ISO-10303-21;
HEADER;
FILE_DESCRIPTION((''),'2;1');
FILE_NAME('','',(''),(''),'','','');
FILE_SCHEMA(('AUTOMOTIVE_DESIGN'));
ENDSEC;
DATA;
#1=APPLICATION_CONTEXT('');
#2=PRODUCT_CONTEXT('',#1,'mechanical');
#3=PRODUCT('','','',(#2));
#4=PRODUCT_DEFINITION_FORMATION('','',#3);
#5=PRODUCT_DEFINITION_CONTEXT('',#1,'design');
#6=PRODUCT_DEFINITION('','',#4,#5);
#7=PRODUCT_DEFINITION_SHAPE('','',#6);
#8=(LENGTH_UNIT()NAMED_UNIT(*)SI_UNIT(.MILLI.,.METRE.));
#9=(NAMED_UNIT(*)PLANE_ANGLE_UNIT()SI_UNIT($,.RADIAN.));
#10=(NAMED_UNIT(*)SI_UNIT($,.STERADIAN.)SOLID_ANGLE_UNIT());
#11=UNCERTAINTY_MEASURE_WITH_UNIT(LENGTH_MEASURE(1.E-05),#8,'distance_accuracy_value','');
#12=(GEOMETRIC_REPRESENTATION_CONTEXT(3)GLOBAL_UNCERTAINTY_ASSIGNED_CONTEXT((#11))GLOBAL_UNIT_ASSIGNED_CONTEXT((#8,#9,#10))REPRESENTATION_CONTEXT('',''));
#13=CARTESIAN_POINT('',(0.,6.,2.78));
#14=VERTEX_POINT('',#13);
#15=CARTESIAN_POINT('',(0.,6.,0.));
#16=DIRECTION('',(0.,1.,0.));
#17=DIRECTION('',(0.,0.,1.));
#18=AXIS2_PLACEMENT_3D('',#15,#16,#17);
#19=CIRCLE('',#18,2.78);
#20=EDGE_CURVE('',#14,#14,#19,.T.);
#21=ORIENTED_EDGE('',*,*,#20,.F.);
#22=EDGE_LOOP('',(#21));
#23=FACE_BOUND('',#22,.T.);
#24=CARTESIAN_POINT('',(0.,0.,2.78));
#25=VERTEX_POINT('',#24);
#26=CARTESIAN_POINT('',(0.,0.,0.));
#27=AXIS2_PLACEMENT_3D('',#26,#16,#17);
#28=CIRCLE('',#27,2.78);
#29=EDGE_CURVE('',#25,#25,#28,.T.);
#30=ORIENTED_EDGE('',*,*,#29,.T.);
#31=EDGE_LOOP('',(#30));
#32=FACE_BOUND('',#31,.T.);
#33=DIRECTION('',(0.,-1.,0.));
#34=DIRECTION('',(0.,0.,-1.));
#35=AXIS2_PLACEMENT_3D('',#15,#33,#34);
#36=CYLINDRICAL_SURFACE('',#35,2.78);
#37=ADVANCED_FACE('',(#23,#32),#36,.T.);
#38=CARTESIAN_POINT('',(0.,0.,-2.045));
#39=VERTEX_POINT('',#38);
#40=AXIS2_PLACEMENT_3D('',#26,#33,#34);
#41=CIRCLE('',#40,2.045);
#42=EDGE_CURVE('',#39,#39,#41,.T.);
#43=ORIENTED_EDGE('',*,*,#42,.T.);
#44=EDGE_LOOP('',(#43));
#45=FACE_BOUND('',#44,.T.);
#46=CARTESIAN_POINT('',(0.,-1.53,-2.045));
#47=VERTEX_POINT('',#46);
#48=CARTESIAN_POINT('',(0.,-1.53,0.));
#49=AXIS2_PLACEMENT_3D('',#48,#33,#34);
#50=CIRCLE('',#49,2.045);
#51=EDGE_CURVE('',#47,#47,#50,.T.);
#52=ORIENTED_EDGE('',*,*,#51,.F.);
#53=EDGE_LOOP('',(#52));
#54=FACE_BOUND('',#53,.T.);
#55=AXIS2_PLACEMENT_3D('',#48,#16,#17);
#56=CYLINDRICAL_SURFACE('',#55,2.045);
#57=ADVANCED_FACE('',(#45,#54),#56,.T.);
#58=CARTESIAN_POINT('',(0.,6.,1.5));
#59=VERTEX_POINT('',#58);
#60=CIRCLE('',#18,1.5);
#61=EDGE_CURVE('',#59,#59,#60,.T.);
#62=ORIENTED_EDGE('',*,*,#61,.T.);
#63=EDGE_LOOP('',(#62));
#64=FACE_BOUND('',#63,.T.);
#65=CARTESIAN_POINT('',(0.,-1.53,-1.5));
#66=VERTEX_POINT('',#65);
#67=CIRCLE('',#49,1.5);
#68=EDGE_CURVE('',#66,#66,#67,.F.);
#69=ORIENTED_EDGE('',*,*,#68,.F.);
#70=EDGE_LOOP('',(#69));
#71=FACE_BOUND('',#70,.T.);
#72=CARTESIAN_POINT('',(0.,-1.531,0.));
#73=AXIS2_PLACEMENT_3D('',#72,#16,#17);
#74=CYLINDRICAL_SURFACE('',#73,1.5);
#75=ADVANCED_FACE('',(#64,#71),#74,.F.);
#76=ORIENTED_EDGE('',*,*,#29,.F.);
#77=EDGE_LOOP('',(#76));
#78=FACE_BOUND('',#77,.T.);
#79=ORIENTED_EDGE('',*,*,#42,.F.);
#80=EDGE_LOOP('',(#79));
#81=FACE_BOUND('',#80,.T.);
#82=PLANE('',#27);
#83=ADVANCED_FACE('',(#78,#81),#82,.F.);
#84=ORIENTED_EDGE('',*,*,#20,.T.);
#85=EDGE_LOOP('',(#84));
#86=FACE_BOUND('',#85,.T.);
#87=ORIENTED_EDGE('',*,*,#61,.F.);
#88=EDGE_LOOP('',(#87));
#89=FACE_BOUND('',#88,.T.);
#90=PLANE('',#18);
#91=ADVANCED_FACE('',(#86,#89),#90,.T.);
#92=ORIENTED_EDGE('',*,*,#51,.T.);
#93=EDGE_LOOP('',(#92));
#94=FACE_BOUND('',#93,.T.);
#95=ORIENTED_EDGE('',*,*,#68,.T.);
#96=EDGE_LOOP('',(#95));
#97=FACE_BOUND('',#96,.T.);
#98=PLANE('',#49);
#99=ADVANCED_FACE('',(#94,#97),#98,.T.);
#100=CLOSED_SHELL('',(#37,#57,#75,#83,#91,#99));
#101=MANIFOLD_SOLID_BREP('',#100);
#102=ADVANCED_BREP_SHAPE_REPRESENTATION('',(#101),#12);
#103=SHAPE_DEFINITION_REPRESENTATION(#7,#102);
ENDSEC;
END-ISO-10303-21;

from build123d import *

# Parameters (mm, degrees)
SKETCH_1_R          = 2.78
EXTRUDE_1_DEPTH     = 6
SKETCH_2_R          = 2.045
EXTRUDE_2_DEPTH     = 1.53
CUT_EXTRUDE_1_REACH = 10.495
SKETCH_3_R          = 1.5


with BuildPart() as part:
    # 草图1 → 凸台-拉伸1 (new body)
    with BuildSketch(Plane(origin=(0, 0, 0), x_dir=(1, 0, 0), z_dir=(0, 1, 0))):
        with Locations(Location((0, 0, 0), (0, 0, 270))):
            Circle(SKETCH_1_R)
    extrude(amount=EXTRUDE_1_DEPTH)

    # 草图2 → 凸台-拉伸2 (add)
    with BuildSketch(Plane.XZ):
        with Locations(Location((0, 0, 0), (0, 0, 270))):
            Circle(SKETCH_2_R)
    extrude(amount=EXTRUDE_2_DEPTH)

    # 草图3 → 切除-拉伸1 (cut, up to next)
    with BuildSketch(Plane(origin=(0, 6, 0), x_dir=(1, 0, 0), z_dir=(0, 1, 0)), mode=Mode.PRIVATE) as cut_extrude_1_sk1:
        with Locations(Location((0, 0, 0), (0, 0, 270))):
            Circle(SKETCH_3_R)
    cut_extrude_1_tool1 = extrude(cut_extrude_1_sk1.sketch, amount=-CUT_EXTRUDE_1_REACH, mode=Mode.PRIVATE) & part.part
    add(cut_extrude_1_tool1.solids().sort_by_distance((0, 6, 0))[0], mode=Mode.SUBTRACT)


solid = part.part
